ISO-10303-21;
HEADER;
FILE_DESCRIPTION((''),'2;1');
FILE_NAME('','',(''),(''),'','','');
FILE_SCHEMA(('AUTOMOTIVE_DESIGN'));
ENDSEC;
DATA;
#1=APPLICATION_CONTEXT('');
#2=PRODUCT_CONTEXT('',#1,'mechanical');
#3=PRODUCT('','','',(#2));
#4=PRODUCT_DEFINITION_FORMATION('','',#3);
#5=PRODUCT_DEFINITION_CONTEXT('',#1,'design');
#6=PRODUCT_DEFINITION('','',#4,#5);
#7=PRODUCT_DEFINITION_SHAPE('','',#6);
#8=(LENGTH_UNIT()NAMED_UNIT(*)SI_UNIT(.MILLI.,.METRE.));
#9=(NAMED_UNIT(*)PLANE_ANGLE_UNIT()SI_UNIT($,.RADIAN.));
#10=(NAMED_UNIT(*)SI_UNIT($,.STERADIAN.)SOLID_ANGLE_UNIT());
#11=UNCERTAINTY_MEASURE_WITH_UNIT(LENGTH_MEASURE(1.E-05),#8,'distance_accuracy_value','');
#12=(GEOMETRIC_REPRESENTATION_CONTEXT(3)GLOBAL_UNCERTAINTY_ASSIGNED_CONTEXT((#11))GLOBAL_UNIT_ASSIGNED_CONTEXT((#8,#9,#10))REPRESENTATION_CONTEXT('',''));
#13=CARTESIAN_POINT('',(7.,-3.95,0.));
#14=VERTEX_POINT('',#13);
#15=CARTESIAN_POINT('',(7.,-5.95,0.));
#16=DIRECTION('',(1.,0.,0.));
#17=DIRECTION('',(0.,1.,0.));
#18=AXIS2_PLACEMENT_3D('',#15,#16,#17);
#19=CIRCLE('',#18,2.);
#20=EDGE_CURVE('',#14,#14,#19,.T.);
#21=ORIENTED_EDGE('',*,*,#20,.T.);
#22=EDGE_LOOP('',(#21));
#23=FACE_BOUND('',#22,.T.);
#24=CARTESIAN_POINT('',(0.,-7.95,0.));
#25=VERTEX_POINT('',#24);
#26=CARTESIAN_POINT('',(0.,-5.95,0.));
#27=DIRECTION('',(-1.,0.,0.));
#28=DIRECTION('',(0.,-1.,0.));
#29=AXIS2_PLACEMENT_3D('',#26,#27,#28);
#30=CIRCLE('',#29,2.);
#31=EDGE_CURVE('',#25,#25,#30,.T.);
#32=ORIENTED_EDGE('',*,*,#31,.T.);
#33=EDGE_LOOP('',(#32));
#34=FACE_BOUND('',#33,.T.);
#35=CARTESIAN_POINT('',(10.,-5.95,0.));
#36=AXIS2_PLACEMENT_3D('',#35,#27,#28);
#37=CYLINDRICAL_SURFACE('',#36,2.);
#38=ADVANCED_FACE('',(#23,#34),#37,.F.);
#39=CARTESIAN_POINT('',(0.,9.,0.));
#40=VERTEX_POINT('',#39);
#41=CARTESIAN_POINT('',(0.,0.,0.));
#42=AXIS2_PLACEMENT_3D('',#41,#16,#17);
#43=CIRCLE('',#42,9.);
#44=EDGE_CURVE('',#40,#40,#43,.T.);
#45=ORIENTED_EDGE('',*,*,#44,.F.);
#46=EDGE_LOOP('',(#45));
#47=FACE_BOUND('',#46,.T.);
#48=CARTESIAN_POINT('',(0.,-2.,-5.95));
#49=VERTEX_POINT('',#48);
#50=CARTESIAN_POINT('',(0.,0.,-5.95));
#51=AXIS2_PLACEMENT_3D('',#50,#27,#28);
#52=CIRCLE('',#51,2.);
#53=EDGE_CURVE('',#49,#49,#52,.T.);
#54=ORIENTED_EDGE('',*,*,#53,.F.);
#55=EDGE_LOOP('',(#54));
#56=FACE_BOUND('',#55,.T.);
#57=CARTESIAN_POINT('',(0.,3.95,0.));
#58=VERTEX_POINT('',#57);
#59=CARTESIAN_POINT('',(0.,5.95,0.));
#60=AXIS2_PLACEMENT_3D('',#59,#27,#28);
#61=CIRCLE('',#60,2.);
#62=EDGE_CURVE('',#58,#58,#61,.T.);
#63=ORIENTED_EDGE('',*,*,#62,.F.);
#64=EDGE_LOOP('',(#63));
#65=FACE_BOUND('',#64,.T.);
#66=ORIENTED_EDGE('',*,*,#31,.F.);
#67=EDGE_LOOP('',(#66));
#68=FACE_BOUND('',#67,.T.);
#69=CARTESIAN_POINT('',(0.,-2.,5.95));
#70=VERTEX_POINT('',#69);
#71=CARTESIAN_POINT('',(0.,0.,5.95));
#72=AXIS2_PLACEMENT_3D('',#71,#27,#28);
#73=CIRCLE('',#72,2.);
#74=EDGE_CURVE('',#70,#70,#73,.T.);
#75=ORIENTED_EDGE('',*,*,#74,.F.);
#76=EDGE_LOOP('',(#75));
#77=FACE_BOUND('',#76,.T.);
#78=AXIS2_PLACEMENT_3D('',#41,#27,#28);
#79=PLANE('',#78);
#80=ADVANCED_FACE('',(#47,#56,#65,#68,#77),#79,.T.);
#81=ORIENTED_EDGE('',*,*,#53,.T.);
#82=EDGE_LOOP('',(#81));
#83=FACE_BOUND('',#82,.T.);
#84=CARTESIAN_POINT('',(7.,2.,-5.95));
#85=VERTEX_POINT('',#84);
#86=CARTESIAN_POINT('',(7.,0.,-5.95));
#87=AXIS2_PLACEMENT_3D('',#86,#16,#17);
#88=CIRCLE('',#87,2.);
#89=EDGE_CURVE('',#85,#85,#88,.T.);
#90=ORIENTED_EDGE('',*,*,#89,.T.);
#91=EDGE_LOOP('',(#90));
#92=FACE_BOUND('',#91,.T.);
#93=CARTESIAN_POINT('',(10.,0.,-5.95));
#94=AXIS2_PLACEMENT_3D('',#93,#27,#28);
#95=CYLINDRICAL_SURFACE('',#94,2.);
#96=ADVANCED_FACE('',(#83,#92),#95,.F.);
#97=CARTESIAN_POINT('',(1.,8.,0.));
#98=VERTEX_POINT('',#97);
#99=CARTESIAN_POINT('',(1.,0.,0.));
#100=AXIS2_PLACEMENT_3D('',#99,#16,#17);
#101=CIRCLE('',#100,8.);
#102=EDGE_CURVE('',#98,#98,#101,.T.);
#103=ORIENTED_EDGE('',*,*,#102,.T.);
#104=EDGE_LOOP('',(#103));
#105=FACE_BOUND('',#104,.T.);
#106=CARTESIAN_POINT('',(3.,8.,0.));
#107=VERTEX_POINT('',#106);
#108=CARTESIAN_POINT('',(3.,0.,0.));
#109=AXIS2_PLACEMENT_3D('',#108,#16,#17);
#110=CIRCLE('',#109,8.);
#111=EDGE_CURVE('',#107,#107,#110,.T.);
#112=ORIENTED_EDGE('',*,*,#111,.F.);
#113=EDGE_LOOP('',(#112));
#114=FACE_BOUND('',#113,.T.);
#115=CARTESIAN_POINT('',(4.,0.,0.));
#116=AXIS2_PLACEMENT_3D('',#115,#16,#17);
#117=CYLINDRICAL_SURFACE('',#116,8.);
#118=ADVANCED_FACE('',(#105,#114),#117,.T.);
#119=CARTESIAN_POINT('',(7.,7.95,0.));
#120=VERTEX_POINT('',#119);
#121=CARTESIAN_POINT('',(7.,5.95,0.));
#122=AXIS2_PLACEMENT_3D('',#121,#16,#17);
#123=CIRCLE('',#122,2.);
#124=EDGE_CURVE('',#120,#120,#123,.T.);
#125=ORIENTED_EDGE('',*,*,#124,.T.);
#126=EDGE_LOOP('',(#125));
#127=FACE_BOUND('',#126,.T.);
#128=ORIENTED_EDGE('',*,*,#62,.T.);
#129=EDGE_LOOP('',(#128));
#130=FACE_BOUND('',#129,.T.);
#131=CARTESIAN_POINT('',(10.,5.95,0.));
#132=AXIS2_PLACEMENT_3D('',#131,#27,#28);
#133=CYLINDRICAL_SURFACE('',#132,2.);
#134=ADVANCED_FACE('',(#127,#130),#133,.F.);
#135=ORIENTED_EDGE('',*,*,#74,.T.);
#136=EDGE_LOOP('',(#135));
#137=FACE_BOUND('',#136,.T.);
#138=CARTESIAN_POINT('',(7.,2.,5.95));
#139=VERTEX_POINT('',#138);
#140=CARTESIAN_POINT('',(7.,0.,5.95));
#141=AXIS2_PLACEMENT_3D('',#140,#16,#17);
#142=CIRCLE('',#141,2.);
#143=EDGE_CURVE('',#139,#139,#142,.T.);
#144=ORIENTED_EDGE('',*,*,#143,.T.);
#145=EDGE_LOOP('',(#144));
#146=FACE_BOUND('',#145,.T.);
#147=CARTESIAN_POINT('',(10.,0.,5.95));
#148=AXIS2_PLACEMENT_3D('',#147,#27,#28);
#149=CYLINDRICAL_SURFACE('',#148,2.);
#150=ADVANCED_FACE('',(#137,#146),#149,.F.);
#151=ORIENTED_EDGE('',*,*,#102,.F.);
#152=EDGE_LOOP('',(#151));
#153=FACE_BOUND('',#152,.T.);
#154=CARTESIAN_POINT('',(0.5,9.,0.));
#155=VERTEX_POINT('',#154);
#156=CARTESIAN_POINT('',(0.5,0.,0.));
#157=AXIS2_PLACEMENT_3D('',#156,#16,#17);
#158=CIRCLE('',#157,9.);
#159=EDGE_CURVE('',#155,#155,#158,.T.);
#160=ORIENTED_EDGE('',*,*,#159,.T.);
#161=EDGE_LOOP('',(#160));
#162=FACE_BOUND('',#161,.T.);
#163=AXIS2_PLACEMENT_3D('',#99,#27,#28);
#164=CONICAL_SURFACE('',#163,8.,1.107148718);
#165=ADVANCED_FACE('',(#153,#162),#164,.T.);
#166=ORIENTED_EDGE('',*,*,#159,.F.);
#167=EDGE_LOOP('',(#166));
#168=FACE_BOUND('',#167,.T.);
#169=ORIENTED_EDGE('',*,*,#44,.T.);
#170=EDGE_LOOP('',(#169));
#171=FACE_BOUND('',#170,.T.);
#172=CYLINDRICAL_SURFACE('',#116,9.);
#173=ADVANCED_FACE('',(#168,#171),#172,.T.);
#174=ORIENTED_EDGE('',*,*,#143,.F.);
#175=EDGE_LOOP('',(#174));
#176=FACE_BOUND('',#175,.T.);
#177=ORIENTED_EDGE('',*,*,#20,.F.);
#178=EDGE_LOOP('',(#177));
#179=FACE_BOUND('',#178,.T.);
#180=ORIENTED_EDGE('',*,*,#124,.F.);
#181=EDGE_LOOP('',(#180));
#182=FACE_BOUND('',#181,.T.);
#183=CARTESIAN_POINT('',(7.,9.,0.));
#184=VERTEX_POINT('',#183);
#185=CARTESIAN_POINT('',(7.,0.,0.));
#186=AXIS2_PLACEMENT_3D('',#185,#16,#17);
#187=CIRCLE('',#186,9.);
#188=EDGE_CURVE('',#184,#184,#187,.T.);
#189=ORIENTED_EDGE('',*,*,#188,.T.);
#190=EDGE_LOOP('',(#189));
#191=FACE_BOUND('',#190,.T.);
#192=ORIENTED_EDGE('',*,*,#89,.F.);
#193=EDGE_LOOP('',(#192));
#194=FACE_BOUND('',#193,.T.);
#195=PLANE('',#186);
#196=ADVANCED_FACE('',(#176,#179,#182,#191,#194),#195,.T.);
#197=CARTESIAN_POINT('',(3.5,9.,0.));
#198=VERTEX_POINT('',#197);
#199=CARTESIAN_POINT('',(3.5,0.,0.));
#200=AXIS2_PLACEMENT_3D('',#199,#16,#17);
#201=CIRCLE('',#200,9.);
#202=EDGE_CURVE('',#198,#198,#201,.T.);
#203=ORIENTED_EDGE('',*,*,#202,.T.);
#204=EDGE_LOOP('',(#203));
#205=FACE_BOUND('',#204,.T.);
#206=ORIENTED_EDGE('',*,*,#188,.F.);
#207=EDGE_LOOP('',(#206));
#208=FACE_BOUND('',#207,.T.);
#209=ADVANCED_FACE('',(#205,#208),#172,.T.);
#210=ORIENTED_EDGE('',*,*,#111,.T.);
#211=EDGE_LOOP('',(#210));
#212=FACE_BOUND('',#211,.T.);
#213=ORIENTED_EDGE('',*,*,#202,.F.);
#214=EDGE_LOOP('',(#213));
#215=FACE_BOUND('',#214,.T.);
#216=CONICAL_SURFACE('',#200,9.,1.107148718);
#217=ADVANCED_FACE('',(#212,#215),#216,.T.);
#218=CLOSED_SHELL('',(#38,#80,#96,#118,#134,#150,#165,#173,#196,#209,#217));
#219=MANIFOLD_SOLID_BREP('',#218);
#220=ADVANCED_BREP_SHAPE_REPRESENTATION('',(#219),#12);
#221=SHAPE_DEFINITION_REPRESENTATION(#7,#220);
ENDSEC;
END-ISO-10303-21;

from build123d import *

# Parameters (mm, degrees)
ESQUISSE2_R             = 2
ENL_V_MAT_EXTRU_1_DEPTH = 10


with BuildPart() as part:
    # Esquisse1 → Révolution1 (revolve)
    with BuildSketch(Plane.XY):
        Polygon((0, 0), (0, 9), (0.5, 9), (1, 8), (3, 8), (3.5, 9), (4, 9), (7, 9), (7, 0), (4, 0), align=None)
    revolve(axis=Axis((4, 0, 0), (-1, 0, 0)))

    # Esquisse2 → Enlèv. mat.-Extru.1 (cut)
    with BuildSketch(Plane.ZY):
        with Locations(Location((0, 5.95, 0), (0, 0, 270))):
            Circle(ESQUISSE2_R)
        with Locations(Location((5.95, 0, 0), (0, 0, 270))):
            Circle(ESQUISSE2_R)
        with Locations(Location((0, -5.95, 0), (0, 0, 270))):
            Circle(ESQUISSE2_R)
        with Locations(Location((-5.95, 0, 0), (0, 0, 270))):
            Circle(ESQUISSE2_R)
    extrude(amount=-ENL_V_MAT_EXTRU_1_DEPTH, mode=Mode.SUBTRACT)


solid = part.part
